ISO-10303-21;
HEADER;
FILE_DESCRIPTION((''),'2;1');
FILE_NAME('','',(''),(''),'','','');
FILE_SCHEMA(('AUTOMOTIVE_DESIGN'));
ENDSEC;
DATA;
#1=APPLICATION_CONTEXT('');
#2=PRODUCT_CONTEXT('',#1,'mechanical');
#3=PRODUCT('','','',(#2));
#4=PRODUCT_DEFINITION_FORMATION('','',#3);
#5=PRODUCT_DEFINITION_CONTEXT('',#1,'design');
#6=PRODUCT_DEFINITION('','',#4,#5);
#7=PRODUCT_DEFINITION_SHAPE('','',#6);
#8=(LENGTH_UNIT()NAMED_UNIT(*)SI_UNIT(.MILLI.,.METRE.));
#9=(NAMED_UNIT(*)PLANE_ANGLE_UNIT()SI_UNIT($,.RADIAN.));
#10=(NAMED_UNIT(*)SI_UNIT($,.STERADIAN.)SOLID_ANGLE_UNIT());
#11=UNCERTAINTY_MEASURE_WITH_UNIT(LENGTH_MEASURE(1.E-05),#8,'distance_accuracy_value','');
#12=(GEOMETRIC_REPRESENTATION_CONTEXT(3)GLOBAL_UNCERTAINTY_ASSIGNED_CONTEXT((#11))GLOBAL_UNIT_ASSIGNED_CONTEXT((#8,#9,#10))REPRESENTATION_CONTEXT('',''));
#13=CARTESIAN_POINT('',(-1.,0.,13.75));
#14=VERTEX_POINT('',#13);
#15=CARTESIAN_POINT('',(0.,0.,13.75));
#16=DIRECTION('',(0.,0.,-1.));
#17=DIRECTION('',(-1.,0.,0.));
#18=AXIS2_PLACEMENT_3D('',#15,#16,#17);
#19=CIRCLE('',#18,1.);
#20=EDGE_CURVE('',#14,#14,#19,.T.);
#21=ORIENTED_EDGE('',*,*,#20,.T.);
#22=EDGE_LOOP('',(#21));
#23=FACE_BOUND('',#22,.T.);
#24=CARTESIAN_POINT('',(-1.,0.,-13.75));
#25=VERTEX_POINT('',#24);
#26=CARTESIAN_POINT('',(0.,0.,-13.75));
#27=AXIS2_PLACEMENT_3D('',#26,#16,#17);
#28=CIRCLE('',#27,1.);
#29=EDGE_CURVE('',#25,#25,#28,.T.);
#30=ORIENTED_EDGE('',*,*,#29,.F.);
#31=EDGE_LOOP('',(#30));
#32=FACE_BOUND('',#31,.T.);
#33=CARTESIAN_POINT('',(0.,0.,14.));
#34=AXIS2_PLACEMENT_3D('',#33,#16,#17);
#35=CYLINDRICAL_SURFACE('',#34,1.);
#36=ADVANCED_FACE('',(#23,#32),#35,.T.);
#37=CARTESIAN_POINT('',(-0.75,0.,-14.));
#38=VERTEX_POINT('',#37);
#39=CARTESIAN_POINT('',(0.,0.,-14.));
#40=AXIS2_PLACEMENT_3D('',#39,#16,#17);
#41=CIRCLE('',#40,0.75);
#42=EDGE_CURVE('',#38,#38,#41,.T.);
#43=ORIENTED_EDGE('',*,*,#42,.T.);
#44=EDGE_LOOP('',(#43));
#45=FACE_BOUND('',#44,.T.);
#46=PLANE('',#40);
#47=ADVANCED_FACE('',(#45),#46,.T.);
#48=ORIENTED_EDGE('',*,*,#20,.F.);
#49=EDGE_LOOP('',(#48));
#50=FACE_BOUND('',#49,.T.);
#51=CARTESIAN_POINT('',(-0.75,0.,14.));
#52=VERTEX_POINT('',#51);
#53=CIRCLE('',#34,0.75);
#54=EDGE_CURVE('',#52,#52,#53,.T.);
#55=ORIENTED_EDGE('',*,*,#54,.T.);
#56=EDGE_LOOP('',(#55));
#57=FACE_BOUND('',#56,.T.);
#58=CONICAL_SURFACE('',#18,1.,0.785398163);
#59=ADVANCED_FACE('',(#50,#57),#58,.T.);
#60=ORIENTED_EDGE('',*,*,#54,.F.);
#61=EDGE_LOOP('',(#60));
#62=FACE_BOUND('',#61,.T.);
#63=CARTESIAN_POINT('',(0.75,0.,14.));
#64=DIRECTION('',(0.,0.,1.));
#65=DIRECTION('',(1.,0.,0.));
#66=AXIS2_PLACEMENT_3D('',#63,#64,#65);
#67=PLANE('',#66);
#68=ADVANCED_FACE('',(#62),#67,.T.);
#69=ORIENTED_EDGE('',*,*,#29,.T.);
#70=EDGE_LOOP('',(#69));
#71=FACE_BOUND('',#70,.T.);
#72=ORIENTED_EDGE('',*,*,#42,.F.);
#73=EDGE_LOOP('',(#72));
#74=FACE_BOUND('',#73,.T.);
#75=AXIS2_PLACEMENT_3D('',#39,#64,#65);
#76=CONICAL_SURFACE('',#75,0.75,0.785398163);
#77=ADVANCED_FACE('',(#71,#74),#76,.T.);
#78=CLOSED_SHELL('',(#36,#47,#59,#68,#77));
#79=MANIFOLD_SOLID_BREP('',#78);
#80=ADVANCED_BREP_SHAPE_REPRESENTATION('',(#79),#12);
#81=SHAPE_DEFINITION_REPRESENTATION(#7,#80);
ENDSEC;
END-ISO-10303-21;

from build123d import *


with BuildPart() as part:
    # Esquisse1 → Révolution1 (revolve)
    with BuildSketch(Plane.XZ, mode=Mode.PRIVATE) as r_volution1_sk:
        Polygon((0.75, 14), (0, 14), (0, -14), (0.75, -14), (1, -13.75), (1, 13.75), align=None)
    revolve(r_volution1_sk.sketch.rotate(Axis((0, 0, 14), (0, 0, -1)), 180), axis=Axis((0, 0, 14), (0, 0, -1)))


solid = part.part
